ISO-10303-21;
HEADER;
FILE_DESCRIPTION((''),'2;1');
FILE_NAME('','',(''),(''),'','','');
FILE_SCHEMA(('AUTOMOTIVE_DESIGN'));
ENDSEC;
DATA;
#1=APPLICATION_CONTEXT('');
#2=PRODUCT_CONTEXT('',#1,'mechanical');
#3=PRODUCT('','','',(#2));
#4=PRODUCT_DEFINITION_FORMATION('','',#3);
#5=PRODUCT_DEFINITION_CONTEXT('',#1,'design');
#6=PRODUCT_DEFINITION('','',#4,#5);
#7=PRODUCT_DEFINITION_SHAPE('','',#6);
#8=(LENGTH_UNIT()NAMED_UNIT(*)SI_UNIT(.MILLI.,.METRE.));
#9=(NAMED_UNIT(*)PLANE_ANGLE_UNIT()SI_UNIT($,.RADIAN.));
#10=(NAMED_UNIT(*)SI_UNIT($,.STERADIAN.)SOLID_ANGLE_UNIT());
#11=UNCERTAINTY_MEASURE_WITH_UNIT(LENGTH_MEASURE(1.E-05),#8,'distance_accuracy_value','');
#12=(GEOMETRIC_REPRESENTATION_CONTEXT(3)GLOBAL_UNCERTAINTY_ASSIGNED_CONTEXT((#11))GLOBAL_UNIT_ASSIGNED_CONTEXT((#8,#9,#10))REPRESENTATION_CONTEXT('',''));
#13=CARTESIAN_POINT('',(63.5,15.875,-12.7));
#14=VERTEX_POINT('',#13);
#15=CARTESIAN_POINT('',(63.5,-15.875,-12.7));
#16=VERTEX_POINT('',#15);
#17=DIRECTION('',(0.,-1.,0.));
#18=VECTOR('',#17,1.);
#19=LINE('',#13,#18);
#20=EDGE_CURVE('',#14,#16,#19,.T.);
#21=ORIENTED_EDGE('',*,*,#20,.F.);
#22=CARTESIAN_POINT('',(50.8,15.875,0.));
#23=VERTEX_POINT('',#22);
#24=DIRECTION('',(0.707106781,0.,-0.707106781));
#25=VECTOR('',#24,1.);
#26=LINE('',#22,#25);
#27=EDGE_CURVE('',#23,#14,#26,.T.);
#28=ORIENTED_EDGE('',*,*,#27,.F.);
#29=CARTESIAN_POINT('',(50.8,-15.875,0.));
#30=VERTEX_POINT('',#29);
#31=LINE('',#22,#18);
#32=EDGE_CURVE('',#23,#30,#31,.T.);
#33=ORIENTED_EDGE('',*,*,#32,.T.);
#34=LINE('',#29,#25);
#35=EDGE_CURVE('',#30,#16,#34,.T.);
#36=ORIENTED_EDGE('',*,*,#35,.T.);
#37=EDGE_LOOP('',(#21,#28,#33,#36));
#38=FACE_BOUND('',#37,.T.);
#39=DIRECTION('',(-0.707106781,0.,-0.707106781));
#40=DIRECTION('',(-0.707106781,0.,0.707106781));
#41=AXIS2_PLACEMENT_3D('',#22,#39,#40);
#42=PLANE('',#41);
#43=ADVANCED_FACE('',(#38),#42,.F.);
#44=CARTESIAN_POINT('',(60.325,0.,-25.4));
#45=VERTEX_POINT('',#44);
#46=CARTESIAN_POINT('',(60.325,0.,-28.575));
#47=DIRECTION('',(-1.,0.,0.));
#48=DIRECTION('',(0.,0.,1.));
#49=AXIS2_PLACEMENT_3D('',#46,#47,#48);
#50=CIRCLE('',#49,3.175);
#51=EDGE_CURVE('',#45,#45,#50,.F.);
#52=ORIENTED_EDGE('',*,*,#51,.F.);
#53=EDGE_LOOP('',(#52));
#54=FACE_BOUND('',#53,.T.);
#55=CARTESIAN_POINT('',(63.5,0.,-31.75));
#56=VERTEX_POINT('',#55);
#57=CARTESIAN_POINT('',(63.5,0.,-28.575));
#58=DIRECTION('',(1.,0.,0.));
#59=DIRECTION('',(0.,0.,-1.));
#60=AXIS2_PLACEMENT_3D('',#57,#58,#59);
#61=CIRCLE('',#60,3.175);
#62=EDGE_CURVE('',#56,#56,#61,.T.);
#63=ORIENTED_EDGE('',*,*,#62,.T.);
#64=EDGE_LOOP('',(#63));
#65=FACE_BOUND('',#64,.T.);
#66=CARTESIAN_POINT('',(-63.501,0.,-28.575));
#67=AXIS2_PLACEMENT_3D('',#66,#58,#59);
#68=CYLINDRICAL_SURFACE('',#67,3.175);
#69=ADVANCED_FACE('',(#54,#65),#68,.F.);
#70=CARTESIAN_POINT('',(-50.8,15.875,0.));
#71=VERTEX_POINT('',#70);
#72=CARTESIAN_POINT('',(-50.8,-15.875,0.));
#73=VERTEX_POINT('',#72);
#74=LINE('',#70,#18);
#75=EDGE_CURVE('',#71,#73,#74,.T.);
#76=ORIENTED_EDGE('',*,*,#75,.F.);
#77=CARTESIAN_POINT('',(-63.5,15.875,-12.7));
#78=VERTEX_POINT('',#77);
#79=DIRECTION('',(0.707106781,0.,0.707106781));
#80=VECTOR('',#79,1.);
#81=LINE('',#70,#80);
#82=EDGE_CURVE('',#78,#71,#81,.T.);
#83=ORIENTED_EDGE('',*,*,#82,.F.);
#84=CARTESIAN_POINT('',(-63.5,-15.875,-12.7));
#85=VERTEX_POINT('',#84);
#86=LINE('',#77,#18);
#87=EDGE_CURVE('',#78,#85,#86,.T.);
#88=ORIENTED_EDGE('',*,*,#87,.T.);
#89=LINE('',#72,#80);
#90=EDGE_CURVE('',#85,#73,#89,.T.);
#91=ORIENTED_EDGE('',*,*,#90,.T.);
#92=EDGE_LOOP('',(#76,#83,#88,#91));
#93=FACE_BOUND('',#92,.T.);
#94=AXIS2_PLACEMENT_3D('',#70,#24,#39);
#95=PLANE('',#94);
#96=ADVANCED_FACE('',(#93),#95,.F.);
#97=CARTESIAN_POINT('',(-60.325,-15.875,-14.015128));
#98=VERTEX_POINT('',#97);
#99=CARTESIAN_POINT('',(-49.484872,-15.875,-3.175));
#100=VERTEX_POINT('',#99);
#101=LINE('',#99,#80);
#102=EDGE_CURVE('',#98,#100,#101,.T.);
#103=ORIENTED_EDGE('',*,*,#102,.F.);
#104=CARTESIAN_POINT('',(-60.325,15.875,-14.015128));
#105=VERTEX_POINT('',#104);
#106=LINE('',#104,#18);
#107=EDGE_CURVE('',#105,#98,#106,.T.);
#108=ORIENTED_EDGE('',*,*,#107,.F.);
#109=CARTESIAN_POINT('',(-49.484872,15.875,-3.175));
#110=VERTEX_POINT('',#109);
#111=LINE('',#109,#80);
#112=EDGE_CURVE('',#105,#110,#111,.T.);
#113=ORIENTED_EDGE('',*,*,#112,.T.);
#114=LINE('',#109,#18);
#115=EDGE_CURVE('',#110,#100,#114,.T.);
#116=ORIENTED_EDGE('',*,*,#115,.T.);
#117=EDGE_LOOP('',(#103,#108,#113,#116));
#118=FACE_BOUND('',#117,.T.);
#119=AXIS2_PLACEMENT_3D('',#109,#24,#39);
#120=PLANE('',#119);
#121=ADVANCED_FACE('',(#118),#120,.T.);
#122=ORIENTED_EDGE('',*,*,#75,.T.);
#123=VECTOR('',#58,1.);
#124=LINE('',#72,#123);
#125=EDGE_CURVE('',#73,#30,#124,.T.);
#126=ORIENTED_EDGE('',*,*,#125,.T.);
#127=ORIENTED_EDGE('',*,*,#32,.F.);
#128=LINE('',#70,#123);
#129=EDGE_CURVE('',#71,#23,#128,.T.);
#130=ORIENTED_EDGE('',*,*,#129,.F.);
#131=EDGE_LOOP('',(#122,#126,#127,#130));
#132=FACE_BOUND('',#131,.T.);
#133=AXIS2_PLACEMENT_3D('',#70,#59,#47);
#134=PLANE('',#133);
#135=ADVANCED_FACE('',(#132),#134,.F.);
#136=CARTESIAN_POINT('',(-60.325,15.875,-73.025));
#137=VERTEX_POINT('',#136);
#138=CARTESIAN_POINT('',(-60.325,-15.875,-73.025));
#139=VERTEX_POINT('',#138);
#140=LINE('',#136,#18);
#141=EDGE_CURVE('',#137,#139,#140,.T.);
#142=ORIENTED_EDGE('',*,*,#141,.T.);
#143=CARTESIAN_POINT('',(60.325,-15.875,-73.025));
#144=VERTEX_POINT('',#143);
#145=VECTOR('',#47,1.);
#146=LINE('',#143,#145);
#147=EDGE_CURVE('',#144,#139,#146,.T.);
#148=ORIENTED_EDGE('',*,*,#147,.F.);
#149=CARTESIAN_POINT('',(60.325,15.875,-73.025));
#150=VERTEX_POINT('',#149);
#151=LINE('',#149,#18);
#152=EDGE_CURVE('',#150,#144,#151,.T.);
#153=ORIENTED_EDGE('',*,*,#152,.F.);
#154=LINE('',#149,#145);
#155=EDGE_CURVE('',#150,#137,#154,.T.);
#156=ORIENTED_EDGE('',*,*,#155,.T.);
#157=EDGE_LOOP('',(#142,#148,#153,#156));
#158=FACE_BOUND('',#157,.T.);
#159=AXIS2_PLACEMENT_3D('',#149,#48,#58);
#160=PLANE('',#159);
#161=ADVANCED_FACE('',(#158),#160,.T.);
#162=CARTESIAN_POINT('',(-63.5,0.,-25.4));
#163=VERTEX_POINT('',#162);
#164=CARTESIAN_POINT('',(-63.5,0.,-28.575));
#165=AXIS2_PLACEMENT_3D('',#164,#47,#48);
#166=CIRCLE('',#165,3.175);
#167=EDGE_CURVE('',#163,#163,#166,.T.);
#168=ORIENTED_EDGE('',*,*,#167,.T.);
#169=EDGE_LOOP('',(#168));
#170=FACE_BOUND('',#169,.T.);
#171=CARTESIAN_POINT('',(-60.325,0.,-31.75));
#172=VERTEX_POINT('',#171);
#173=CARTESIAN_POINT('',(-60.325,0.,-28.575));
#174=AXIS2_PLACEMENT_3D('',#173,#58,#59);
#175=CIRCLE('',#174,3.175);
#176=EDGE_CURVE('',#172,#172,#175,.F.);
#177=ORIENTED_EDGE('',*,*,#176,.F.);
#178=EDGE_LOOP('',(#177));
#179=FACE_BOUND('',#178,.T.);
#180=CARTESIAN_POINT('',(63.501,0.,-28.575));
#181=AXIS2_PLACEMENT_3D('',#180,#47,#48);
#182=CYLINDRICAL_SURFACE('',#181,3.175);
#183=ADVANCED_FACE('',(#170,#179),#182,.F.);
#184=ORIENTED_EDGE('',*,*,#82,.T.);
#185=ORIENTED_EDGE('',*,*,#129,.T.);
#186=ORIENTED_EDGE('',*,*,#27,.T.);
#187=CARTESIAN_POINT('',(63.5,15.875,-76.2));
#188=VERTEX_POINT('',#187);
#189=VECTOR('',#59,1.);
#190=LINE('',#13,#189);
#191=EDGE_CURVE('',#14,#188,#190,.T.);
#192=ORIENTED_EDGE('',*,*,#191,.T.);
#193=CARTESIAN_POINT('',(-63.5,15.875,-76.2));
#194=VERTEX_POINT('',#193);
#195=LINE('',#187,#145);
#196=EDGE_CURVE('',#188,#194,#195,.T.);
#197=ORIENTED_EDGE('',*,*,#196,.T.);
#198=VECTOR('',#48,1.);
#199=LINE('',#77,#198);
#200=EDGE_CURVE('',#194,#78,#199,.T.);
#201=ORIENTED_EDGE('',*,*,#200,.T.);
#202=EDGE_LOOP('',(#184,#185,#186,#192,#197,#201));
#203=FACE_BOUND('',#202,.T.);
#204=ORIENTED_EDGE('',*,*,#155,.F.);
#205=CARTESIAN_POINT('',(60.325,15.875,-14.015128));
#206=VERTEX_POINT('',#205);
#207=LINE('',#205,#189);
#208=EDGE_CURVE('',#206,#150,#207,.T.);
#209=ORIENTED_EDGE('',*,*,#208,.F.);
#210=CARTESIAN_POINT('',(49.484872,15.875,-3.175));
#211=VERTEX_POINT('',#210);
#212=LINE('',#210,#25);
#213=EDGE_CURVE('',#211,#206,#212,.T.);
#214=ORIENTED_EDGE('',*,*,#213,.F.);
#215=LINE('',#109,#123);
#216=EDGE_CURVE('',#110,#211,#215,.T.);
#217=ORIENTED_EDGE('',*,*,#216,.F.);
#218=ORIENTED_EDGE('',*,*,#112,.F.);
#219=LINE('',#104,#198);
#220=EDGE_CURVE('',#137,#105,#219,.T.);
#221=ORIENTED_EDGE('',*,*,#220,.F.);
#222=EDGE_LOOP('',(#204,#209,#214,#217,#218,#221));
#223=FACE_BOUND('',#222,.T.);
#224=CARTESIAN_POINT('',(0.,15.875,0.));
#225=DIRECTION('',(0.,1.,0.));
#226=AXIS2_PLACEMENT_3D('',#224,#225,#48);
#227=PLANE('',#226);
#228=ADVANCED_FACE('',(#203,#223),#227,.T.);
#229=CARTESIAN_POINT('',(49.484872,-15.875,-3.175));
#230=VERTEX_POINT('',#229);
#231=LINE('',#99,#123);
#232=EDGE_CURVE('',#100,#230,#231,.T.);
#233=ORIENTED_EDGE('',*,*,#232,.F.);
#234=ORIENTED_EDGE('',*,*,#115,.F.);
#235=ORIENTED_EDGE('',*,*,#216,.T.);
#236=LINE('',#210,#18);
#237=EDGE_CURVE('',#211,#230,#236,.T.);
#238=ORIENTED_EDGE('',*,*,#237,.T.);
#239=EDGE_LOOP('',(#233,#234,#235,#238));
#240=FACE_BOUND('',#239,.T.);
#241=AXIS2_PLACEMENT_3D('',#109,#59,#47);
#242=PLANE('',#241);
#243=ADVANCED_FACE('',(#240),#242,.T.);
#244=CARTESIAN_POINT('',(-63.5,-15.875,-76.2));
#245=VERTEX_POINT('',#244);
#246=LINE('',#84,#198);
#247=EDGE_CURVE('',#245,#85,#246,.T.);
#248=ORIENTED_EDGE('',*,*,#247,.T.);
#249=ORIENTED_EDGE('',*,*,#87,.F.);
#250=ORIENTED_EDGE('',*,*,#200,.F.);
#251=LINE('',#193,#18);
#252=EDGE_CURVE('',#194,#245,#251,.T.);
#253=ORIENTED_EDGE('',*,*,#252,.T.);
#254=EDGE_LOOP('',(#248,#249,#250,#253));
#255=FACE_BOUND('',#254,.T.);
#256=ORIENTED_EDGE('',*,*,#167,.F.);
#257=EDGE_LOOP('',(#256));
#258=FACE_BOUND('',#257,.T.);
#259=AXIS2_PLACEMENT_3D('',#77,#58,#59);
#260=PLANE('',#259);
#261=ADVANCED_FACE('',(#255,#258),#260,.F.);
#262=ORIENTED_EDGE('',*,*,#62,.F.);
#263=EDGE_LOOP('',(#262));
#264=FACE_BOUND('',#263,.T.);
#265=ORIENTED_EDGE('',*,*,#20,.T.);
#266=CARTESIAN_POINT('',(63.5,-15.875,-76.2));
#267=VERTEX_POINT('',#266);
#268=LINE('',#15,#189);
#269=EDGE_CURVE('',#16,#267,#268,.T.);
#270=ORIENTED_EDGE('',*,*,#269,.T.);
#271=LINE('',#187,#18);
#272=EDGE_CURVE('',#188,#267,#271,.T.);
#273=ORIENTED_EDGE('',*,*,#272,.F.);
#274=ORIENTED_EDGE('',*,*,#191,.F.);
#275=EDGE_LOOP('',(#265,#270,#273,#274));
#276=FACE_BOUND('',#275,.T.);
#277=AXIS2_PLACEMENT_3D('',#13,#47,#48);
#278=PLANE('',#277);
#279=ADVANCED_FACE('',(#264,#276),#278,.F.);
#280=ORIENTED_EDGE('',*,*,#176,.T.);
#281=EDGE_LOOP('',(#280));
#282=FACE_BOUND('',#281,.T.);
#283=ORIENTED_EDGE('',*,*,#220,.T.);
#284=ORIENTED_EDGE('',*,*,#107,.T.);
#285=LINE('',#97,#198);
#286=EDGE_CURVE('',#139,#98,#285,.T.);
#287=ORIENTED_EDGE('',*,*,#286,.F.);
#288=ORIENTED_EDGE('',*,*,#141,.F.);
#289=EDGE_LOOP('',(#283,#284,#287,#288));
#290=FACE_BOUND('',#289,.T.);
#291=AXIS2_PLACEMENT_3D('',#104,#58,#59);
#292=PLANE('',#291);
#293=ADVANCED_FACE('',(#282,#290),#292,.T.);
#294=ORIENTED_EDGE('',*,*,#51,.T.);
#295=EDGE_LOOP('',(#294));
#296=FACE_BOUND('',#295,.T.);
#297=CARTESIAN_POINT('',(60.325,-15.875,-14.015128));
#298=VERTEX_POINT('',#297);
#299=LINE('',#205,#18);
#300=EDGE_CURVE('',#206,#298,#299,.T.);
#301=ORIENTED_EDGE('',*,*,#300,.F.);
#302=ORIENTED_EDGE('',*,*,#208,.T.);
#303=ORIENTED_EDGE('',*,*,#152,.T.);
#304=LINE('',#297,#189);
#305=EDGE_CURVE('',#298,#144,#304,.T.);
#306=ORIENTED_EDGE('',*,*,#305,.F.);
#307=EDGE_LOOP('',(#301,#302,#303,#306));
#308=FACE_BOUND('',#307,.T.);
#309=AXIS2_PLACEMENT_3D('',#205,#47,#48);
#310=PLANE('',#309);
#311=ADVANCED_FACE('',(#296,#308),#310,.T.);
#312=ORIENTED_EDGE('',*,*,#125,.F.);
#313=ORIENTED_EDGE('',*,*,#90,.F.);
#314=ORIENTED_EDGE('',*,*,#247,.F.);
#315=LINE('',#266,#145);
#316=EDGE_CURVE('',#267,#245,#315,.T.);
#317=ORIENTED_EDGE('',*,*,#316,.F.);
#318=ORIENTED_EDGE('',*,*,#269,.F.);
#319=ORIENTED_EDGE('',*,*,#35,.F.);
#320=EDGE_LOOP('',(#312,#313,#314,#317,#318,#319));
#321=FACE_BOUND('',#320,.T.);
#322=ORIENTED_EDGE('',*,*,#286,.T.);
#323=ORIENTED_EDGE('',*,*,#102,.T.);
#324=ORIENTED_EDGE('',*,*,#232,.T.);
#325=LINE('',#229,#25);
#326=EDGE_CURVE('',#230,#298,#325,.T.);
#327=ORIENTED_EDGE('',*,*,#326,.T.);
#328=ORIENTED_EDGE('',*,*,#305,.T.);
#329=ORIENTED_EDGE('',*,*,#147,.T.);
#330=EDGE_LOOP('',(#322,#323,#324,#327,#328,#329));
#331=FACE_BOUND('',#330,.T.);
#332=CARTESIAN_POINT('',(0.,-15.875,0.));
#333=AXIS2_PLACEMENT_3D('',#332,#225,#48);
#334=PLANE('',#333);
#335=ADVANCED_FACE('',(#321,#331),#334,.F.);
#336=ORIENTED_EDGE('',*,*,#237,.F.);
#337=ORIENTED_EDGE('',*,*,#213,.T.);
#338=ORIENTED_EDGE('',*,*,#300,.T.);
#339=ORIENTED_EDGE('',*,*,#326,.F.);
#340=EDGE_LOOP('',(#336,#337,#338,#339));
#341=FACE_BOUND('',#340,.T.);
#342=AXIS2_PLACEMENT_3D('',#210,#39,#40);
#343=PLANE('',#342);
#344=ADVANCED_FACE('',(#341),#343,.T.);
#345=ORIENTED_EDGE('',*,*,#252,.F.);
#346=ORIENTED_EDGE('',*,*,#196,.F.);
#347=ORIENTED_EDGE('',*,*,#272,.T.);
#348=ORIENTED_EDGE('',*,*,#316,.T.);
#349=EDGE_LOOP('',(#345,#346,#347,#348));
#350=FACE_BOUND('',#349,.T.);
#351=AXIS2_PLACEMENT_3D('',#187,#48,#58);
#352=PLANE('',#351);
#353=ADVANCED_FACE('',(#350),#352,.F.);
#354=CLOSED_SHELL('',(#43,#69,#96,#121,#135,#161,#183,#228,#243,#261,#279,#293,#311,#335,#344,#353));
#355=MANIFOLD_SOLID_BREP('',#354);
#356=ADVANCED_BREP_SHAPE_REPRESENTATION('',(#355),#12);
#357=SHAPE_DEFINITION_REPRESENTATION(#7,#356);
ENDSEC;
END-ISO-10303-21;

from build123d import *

# Parameters (mm, degrees)
BOSS_EXTRUDE1_DEPTH = 15.875
CUT_EXTRUDE1_REACH  = 150.955
SKETCH2_R           = 3.175
CUT_EXTRUDE2_REACH  = 150.955
SKETCH3_R           = 3.175


with BuildPart() as part:
    # Sketch1 → Boss-Extrude1 (new, symmetric)
    with BuildSketch(Plane(origin=(0, 0, 0), x_dir=(1, 0, 0), z_dir=(0, 1, 0))):
        Polygon((-50.8, 0), (50.8, 0), (63.5, 12.7), (63.5, 76.2), (-63.5, 76.2), (-63.5, 12.7), align=None)
        Polygon((60.325, 73.025), (-60.325, 73.025), (-60.325, 14.015128061), (-49.484871939, 3.175), (49.484871939, 3.175), (60.325, 14.015128061), align=None, mode=Mode.SUBTRACT)
    extrude(amount=BOSS_EXTRUDE1_DEPTH, both=True)

    # Sketch2 → Cut-Extrude1 (cut, up to next)
    with BuildSketch(Plane.ZY.offset(63.5), mode=Mode.PRIVATE) as cut_extrude1_sk1:
        with Locations((-28.575, 0)):
            Circle(SKETCH2_R)
    cut_extrude1_tool1 = extrude(cut_extrude1_sk1.sketch, amount=-CUT_EXTRUDE1_REACH, mode=Mode.PRIVATE) & part.part
    add(cut_extrude1_tool1.solids().sort_by_distance((-63.5, 0, -28.575))[0], mode=Mode.SUBTRACT)

    # Sketch3 → Cut-Extrude2 (cut, up to next)
    with BuildSketch(Plane(origin=(63.5, 0, 0), x_dir=(0, 0, -1), z_dir=(1, 0, 0)), mode=Mode.PRIVATE) as cut_extrude2_sk1:
        with Locations(Location((28.575, 0, 0), (0, 0, 180))):
            Circle(SKETCH3_R)
    cut_extrude2_tool1 = extrude(cut_extrude2_sk1.sketch, amount=-CUT_EXTRUDE2_REACH, mode=Mode.PRIVATE) & part.part
    add(cut_extrude2_tool1.solids().sort_by_distance((63.5, 0, -28.575))[0], mode=Mode.SUBTRACT)


solid = part.part
